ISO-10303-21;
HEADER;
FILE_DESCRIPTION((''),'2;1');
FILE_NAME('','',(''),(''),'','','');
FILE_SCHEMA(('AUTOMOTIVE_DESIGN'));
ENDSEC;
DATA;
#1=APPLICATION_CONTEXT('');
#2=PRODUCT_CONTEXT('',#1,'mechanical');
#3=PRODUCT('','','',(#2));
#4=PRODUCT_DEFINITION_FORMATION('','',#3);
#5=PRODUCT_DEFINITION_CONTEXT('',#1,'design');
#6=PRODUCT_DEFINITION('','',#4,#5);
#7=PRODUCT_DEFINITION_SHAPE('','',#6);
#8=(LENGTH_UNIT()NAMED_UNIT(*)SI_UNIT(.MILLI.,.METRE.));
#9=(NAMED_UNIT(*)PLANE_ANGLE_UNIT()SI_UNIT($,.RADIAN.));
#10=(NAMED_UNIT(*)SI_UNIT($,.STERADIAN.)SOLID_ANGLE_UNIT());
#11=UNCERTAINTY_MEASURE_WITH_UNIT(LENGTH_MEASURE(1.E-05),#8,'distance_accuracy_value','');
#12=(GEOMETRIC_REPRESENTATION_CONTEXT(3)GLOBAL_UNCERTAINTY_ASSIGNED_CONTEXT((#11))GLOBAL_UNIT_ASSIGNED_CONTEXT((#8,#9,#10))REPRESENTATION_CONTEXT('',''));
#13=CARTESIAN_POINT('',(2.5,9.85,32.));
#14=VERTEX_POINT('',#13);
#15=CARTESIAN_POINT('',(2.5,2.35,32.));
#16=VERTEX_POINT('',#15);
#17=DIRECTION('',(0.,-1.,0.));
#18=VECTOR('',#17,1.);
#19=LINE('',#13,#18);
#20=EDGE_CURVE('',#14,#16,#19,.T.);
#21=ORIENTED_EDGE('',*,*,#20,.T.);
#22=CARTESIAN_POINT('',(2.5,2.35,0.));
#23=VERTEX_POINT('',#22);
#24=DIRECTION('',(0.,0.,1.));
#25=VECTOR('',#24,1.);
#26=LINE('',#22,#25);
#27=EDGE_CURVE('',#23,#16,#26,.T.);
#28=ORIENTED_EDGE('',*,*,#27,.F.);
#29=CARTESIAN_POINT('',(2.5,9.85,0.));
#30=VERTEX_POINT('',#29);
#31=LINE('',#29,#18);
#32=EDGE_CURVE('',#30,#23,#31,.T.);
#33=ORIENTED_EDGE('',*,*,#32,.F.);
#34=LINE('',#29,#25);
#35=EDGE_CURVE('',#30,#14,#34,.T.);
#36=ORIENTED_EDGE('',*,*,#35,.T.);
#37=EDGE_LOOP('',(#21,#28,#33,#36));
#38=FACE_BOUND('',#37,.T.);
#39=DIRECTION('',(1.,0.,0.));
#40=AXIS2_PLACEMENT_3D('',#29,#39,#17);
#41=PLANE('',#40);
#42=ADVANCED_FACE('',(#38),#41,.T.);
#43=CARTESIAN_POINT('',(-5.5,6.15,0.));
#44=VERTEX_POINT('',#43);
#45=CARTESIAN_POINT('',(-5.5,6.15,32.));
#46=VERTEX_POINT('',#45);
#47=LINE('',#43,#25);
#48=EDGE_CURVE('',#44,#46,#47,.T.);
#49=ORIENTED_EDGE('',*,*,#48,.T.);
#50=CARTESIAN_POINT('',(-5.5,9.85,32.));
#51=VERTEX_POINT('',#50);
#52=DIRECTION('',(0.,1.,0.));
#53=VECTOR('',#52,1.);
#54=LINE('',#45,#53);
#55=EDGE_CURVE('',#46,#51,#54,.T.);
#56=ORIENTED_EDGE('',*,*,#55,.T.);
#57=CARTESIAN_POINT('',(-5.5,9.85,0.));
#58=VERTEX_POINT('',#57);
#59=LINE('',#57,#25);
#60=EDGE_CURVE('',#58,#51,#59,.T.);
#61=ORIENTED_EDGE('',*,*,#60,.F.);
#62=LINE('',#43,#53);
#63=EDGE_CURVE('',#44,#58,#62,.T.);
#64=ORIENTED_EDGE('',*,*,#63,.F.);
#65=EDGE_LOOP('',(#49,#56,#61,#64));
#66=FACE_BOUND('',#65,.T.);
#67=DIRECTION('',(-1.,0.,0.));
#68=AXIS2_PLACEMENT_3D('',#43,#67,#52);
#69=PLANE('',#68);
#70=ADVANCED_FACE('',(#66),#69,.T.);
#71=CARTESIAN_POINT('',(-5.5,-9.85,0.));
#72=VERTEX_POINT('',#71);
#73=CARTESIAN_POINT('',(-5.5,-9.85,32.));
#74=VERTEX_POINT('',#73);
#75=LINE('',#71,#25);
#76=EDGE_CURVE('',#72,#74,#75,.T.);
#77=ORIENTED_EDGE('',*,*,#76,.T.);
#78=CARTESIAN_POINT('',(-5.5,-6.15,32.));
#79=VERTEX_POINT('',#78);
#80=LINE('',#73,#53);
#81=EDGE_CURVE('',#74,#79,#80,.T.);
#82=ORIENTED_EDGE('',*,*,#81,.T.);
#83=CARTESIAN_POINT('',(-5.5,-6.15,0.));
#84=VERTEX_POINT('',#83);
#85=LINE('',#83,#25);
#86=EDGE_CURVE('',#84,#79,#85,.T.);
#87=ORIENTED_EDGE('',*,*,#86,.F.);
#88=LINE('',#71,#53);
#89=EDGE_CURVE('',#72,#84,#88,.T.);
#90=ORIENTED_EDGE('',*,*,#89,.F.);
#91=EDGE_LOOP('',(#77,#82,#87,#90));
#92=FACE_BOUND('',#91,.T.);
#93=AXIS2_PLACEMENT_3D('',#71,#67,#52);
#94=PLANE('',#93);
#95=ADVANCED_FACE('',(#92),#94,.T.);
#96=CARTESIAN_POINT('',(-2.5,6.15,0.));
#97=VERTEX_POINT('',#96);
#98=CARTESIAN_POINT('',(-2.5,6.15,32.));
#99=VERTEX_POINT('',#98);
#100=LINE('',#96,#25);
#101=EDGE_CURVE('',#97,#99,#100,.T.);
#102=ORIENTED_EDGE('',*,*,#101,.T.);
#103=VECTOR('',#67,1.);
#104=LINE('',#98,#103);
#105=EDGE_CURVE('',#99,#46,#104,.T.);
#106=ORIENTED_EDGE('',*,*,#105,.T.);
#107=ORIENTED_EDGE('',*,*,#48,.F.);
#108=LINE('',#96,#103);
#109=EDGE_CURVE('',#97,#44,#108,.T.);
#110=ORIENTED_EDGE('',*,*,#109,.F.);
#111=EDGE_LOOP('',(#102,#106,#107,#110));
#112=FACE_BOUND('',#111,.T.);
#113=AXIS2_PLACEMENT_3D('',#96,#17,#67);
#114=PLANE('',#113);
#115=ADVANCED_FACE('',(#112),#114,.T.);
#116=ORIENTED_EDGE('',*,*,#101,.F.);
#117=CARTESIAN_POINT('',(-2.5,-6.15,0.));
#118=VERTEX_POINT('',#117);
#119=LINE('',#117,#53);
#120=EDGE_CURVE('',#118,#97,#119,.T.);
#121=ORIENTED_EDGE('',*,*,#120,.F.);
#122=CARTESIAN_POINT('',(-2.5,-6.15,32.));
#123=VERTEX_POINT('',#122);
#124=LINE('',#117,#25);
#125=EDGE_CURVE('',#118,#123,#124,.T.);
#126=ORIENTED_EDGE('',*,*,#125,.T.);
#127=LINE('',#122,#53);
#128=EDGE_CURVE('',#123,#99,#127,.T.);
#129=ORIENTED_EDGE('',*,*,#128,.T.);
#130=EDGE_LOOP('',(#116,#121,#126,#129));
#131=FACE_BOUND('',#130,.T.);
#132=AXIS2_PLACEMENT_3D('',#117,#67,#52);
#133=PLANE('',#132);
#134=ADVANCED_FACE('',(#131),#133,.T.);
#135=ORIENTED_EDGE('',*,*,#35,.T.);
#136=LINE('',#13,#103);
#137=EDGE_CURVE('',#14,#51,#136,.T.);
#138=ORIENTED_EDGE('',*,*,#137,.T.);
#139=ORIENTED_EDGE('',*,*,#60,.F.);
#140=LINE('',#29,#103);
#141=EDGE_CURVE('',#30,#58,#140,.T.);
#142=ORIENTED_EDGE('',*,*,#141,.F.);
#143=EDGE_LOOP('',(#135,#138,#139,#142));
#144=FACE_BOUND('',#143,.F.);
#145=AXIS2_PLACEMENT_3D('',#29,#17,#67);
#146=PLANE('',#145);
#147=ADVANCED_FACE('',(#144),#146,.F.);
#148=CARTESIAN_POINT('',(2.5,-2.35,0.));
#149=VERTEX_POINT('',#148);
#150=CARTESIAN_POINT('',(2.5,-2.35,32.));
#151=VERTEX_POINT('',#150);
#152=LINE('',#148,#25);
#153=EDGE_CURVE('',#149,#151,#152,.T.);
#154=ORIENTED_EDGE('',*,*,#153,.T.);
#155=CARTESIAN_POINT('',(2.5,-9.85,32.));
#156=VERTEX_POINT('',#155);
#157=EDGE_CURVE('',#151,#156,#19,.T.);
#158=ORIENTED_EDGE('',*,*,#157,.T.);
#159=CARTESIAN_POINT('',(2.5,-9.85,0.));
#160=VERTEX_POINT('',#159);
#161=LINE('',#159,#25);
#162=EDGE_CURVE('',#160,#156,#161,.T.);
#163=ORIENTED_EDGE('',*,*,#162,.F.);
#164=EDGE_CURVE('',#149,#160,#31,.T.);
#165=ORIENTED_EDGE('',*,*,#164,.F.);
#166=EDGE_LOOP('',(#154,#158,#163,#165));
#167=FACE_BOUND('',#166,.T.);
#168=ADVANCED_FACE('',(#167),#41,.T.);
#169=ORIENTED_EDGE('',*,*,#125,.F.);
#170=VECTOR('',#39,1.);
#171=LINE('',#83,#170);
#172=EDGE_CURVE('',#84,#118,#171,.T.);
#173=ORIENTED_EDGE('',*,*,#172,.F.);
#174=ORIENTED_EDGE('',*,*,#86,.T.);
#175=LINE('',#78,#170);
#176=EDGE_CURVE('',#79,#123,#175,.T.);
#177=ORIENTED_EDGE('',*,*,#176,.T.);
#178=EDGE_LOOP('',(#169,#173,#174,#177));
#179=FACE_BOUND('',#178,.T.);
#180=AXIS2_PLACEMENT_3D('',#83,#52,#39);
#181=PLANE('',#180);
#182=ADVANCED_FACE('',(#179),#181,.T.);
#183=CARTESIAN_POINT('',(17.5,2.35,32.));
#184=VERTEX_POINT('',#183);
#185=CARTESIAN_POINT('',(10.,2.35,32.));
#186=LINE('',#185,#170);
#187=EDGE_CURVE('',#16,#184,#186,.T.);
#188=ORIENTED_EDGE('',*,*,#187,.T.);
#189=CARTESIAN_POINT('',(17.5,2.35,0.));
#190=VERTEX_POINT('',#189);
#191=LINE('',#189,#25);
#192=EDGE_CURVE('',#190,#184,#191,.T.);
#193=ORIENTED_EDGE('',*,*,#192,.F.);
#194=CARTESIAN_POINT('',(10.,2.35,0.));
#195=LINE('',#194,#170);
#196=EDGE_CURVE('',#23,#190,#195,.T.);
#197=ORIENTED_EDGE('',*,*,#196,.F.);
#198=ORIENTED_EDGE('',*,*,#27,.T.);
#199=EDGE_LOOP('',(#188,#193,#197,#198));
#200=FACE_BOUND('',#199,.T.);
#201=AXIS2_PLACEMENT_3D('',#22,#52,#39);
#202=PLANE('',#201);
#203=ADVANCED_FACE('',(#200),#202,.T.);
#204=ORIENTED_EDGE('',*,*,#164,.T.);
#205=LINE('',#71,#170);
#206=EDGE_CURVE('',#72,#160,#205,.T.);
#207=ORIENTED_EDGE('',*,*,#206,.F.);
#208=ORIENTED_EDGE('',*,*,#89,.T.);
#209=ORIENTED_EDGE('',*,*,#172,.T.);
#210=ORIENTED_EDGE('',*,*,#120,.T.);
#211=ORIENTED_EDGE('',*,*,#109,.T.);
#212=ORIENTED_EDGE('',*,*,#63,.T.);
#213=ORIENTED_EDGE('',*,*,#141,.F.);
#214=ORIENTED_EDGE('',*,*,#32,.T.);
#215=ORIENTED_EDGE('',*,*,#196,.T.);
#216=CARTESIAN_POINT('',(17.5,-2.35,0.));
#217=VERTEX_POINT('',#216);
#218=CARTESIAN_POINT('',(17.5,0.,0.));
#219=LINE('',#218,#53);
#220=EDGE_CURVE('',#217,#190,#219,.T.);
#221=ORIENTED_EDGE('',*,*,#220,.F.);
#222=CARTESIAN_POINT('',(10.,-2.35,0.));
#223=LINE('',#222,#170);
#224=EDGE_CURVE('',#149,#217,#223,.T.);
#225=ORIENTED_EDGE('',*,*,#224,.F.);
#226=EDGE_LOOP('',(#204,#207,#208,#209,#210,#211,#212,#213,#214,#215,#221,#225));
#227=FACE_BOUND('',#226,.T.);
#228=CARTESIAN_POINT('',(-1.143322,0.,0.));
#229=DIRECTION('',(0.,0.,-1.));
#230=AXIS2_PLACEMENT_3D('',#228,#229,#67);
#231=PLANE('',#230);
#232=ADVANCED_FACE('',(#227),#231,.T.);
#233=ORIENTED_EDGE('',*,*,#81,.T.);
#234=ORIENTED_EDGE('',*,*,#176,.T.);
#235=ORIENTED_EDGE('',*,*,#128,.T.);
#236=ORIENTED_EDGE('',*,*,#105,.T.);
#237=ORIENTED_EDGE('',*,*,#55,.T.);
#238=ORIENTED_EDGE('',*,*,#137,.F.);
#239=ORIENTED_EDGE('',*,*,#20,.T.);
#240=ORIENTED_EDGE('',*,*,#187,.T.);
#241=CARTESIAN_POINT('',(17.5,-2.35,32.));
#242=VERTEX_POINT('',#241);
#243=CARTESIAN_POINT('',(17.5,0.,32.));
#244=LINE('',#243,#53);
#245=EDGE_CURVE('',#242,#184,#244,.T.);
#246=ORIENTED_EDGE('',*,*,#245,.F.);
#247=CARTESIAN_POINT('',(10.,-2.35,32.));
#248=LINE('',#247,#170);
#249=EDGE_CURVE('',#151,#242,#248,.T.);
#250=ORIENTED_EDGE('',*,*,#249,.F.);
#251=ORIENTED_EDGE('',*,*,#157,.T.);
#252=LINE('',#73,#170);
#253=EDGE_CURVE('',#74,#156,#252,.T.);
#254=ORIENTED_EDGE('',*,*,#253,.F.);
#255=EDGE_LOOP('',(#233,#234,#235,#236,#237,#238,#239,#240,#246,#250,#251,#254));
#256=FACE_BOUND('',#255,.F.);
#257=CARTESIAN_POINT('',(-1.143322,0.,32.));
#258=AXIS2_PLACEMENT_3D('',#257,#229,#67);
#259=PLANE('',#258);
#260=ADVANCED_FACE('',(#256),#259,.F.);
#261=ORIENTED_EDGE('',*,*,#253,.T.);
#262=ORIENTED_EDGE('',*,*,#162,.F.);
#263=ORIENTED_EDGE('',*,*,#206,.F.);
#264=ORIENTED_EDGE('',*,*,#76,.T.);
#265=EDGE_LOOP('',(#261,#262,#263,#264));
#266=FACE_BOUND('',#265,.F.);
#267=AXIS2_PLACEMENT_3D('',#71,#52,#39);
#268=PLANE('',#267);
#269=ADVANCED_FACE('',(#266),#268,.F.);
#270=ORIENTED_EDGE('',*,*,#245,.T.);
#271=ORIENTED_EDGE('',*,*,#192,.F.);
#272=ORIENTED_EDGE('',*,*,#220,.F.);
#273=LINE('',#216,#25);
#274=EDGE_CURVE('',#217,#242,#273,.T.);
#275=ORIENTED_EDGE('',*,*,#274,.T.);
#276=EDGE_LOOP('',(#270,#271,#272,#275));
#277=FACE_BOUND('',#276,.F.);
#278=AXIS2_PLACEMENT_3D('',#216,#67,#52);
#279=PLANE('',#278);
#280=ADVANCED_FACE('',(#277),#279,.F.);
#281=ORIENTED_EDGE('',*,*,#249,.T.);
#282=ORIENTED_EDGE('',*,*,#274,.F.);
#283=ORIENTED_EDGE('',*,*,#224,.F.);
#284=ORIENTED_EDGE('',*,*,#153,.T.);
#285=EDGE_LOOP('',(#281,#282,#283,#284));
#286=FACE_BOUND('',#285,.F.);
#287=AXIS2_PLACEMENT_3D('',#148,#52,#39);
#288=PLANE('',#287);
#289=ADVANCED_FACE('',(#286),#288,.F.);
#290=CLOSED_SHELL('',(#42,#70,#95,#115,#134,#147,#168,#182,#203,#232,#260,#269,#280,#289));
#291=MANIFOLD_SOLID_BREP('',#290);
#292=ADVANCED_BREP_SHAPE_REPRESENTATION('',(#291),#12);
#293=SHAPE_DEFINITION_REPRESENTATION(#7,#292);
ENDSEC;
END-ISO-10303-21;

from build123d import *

# Parameters (mm, degrees)
PAD003_DEPTH = 32
SKETCH_W     = 15
SKETCH_H     = 4.7
PAD_DEPTH    = 32


with BuildPart() as part:
    # Sketch005 → Pad003 (new body)
    with BuildSketch(Plane.XY):
        Polygon((-2.5, 9.85), (2.5, 9.85), (2.5, -9.85), (-2.5, -9.85), (-5.5, -9.85), (-5.5, -6.15), (-2.5, -6.15), (-2.5, 6.15), (-5.5, 6.15), (-5.5, 9.85), align=None)
    extrude(amount=PAD003_DEPTH)

    # Sketch → Pad (join)
    with BuildSketch(Plane.XY):
        with Locations((10, 0)):
            Rectangle(SKETCH_W, SKETCH_H)
    extrude(amount=PAD_DEPTH)


solid = part.part
